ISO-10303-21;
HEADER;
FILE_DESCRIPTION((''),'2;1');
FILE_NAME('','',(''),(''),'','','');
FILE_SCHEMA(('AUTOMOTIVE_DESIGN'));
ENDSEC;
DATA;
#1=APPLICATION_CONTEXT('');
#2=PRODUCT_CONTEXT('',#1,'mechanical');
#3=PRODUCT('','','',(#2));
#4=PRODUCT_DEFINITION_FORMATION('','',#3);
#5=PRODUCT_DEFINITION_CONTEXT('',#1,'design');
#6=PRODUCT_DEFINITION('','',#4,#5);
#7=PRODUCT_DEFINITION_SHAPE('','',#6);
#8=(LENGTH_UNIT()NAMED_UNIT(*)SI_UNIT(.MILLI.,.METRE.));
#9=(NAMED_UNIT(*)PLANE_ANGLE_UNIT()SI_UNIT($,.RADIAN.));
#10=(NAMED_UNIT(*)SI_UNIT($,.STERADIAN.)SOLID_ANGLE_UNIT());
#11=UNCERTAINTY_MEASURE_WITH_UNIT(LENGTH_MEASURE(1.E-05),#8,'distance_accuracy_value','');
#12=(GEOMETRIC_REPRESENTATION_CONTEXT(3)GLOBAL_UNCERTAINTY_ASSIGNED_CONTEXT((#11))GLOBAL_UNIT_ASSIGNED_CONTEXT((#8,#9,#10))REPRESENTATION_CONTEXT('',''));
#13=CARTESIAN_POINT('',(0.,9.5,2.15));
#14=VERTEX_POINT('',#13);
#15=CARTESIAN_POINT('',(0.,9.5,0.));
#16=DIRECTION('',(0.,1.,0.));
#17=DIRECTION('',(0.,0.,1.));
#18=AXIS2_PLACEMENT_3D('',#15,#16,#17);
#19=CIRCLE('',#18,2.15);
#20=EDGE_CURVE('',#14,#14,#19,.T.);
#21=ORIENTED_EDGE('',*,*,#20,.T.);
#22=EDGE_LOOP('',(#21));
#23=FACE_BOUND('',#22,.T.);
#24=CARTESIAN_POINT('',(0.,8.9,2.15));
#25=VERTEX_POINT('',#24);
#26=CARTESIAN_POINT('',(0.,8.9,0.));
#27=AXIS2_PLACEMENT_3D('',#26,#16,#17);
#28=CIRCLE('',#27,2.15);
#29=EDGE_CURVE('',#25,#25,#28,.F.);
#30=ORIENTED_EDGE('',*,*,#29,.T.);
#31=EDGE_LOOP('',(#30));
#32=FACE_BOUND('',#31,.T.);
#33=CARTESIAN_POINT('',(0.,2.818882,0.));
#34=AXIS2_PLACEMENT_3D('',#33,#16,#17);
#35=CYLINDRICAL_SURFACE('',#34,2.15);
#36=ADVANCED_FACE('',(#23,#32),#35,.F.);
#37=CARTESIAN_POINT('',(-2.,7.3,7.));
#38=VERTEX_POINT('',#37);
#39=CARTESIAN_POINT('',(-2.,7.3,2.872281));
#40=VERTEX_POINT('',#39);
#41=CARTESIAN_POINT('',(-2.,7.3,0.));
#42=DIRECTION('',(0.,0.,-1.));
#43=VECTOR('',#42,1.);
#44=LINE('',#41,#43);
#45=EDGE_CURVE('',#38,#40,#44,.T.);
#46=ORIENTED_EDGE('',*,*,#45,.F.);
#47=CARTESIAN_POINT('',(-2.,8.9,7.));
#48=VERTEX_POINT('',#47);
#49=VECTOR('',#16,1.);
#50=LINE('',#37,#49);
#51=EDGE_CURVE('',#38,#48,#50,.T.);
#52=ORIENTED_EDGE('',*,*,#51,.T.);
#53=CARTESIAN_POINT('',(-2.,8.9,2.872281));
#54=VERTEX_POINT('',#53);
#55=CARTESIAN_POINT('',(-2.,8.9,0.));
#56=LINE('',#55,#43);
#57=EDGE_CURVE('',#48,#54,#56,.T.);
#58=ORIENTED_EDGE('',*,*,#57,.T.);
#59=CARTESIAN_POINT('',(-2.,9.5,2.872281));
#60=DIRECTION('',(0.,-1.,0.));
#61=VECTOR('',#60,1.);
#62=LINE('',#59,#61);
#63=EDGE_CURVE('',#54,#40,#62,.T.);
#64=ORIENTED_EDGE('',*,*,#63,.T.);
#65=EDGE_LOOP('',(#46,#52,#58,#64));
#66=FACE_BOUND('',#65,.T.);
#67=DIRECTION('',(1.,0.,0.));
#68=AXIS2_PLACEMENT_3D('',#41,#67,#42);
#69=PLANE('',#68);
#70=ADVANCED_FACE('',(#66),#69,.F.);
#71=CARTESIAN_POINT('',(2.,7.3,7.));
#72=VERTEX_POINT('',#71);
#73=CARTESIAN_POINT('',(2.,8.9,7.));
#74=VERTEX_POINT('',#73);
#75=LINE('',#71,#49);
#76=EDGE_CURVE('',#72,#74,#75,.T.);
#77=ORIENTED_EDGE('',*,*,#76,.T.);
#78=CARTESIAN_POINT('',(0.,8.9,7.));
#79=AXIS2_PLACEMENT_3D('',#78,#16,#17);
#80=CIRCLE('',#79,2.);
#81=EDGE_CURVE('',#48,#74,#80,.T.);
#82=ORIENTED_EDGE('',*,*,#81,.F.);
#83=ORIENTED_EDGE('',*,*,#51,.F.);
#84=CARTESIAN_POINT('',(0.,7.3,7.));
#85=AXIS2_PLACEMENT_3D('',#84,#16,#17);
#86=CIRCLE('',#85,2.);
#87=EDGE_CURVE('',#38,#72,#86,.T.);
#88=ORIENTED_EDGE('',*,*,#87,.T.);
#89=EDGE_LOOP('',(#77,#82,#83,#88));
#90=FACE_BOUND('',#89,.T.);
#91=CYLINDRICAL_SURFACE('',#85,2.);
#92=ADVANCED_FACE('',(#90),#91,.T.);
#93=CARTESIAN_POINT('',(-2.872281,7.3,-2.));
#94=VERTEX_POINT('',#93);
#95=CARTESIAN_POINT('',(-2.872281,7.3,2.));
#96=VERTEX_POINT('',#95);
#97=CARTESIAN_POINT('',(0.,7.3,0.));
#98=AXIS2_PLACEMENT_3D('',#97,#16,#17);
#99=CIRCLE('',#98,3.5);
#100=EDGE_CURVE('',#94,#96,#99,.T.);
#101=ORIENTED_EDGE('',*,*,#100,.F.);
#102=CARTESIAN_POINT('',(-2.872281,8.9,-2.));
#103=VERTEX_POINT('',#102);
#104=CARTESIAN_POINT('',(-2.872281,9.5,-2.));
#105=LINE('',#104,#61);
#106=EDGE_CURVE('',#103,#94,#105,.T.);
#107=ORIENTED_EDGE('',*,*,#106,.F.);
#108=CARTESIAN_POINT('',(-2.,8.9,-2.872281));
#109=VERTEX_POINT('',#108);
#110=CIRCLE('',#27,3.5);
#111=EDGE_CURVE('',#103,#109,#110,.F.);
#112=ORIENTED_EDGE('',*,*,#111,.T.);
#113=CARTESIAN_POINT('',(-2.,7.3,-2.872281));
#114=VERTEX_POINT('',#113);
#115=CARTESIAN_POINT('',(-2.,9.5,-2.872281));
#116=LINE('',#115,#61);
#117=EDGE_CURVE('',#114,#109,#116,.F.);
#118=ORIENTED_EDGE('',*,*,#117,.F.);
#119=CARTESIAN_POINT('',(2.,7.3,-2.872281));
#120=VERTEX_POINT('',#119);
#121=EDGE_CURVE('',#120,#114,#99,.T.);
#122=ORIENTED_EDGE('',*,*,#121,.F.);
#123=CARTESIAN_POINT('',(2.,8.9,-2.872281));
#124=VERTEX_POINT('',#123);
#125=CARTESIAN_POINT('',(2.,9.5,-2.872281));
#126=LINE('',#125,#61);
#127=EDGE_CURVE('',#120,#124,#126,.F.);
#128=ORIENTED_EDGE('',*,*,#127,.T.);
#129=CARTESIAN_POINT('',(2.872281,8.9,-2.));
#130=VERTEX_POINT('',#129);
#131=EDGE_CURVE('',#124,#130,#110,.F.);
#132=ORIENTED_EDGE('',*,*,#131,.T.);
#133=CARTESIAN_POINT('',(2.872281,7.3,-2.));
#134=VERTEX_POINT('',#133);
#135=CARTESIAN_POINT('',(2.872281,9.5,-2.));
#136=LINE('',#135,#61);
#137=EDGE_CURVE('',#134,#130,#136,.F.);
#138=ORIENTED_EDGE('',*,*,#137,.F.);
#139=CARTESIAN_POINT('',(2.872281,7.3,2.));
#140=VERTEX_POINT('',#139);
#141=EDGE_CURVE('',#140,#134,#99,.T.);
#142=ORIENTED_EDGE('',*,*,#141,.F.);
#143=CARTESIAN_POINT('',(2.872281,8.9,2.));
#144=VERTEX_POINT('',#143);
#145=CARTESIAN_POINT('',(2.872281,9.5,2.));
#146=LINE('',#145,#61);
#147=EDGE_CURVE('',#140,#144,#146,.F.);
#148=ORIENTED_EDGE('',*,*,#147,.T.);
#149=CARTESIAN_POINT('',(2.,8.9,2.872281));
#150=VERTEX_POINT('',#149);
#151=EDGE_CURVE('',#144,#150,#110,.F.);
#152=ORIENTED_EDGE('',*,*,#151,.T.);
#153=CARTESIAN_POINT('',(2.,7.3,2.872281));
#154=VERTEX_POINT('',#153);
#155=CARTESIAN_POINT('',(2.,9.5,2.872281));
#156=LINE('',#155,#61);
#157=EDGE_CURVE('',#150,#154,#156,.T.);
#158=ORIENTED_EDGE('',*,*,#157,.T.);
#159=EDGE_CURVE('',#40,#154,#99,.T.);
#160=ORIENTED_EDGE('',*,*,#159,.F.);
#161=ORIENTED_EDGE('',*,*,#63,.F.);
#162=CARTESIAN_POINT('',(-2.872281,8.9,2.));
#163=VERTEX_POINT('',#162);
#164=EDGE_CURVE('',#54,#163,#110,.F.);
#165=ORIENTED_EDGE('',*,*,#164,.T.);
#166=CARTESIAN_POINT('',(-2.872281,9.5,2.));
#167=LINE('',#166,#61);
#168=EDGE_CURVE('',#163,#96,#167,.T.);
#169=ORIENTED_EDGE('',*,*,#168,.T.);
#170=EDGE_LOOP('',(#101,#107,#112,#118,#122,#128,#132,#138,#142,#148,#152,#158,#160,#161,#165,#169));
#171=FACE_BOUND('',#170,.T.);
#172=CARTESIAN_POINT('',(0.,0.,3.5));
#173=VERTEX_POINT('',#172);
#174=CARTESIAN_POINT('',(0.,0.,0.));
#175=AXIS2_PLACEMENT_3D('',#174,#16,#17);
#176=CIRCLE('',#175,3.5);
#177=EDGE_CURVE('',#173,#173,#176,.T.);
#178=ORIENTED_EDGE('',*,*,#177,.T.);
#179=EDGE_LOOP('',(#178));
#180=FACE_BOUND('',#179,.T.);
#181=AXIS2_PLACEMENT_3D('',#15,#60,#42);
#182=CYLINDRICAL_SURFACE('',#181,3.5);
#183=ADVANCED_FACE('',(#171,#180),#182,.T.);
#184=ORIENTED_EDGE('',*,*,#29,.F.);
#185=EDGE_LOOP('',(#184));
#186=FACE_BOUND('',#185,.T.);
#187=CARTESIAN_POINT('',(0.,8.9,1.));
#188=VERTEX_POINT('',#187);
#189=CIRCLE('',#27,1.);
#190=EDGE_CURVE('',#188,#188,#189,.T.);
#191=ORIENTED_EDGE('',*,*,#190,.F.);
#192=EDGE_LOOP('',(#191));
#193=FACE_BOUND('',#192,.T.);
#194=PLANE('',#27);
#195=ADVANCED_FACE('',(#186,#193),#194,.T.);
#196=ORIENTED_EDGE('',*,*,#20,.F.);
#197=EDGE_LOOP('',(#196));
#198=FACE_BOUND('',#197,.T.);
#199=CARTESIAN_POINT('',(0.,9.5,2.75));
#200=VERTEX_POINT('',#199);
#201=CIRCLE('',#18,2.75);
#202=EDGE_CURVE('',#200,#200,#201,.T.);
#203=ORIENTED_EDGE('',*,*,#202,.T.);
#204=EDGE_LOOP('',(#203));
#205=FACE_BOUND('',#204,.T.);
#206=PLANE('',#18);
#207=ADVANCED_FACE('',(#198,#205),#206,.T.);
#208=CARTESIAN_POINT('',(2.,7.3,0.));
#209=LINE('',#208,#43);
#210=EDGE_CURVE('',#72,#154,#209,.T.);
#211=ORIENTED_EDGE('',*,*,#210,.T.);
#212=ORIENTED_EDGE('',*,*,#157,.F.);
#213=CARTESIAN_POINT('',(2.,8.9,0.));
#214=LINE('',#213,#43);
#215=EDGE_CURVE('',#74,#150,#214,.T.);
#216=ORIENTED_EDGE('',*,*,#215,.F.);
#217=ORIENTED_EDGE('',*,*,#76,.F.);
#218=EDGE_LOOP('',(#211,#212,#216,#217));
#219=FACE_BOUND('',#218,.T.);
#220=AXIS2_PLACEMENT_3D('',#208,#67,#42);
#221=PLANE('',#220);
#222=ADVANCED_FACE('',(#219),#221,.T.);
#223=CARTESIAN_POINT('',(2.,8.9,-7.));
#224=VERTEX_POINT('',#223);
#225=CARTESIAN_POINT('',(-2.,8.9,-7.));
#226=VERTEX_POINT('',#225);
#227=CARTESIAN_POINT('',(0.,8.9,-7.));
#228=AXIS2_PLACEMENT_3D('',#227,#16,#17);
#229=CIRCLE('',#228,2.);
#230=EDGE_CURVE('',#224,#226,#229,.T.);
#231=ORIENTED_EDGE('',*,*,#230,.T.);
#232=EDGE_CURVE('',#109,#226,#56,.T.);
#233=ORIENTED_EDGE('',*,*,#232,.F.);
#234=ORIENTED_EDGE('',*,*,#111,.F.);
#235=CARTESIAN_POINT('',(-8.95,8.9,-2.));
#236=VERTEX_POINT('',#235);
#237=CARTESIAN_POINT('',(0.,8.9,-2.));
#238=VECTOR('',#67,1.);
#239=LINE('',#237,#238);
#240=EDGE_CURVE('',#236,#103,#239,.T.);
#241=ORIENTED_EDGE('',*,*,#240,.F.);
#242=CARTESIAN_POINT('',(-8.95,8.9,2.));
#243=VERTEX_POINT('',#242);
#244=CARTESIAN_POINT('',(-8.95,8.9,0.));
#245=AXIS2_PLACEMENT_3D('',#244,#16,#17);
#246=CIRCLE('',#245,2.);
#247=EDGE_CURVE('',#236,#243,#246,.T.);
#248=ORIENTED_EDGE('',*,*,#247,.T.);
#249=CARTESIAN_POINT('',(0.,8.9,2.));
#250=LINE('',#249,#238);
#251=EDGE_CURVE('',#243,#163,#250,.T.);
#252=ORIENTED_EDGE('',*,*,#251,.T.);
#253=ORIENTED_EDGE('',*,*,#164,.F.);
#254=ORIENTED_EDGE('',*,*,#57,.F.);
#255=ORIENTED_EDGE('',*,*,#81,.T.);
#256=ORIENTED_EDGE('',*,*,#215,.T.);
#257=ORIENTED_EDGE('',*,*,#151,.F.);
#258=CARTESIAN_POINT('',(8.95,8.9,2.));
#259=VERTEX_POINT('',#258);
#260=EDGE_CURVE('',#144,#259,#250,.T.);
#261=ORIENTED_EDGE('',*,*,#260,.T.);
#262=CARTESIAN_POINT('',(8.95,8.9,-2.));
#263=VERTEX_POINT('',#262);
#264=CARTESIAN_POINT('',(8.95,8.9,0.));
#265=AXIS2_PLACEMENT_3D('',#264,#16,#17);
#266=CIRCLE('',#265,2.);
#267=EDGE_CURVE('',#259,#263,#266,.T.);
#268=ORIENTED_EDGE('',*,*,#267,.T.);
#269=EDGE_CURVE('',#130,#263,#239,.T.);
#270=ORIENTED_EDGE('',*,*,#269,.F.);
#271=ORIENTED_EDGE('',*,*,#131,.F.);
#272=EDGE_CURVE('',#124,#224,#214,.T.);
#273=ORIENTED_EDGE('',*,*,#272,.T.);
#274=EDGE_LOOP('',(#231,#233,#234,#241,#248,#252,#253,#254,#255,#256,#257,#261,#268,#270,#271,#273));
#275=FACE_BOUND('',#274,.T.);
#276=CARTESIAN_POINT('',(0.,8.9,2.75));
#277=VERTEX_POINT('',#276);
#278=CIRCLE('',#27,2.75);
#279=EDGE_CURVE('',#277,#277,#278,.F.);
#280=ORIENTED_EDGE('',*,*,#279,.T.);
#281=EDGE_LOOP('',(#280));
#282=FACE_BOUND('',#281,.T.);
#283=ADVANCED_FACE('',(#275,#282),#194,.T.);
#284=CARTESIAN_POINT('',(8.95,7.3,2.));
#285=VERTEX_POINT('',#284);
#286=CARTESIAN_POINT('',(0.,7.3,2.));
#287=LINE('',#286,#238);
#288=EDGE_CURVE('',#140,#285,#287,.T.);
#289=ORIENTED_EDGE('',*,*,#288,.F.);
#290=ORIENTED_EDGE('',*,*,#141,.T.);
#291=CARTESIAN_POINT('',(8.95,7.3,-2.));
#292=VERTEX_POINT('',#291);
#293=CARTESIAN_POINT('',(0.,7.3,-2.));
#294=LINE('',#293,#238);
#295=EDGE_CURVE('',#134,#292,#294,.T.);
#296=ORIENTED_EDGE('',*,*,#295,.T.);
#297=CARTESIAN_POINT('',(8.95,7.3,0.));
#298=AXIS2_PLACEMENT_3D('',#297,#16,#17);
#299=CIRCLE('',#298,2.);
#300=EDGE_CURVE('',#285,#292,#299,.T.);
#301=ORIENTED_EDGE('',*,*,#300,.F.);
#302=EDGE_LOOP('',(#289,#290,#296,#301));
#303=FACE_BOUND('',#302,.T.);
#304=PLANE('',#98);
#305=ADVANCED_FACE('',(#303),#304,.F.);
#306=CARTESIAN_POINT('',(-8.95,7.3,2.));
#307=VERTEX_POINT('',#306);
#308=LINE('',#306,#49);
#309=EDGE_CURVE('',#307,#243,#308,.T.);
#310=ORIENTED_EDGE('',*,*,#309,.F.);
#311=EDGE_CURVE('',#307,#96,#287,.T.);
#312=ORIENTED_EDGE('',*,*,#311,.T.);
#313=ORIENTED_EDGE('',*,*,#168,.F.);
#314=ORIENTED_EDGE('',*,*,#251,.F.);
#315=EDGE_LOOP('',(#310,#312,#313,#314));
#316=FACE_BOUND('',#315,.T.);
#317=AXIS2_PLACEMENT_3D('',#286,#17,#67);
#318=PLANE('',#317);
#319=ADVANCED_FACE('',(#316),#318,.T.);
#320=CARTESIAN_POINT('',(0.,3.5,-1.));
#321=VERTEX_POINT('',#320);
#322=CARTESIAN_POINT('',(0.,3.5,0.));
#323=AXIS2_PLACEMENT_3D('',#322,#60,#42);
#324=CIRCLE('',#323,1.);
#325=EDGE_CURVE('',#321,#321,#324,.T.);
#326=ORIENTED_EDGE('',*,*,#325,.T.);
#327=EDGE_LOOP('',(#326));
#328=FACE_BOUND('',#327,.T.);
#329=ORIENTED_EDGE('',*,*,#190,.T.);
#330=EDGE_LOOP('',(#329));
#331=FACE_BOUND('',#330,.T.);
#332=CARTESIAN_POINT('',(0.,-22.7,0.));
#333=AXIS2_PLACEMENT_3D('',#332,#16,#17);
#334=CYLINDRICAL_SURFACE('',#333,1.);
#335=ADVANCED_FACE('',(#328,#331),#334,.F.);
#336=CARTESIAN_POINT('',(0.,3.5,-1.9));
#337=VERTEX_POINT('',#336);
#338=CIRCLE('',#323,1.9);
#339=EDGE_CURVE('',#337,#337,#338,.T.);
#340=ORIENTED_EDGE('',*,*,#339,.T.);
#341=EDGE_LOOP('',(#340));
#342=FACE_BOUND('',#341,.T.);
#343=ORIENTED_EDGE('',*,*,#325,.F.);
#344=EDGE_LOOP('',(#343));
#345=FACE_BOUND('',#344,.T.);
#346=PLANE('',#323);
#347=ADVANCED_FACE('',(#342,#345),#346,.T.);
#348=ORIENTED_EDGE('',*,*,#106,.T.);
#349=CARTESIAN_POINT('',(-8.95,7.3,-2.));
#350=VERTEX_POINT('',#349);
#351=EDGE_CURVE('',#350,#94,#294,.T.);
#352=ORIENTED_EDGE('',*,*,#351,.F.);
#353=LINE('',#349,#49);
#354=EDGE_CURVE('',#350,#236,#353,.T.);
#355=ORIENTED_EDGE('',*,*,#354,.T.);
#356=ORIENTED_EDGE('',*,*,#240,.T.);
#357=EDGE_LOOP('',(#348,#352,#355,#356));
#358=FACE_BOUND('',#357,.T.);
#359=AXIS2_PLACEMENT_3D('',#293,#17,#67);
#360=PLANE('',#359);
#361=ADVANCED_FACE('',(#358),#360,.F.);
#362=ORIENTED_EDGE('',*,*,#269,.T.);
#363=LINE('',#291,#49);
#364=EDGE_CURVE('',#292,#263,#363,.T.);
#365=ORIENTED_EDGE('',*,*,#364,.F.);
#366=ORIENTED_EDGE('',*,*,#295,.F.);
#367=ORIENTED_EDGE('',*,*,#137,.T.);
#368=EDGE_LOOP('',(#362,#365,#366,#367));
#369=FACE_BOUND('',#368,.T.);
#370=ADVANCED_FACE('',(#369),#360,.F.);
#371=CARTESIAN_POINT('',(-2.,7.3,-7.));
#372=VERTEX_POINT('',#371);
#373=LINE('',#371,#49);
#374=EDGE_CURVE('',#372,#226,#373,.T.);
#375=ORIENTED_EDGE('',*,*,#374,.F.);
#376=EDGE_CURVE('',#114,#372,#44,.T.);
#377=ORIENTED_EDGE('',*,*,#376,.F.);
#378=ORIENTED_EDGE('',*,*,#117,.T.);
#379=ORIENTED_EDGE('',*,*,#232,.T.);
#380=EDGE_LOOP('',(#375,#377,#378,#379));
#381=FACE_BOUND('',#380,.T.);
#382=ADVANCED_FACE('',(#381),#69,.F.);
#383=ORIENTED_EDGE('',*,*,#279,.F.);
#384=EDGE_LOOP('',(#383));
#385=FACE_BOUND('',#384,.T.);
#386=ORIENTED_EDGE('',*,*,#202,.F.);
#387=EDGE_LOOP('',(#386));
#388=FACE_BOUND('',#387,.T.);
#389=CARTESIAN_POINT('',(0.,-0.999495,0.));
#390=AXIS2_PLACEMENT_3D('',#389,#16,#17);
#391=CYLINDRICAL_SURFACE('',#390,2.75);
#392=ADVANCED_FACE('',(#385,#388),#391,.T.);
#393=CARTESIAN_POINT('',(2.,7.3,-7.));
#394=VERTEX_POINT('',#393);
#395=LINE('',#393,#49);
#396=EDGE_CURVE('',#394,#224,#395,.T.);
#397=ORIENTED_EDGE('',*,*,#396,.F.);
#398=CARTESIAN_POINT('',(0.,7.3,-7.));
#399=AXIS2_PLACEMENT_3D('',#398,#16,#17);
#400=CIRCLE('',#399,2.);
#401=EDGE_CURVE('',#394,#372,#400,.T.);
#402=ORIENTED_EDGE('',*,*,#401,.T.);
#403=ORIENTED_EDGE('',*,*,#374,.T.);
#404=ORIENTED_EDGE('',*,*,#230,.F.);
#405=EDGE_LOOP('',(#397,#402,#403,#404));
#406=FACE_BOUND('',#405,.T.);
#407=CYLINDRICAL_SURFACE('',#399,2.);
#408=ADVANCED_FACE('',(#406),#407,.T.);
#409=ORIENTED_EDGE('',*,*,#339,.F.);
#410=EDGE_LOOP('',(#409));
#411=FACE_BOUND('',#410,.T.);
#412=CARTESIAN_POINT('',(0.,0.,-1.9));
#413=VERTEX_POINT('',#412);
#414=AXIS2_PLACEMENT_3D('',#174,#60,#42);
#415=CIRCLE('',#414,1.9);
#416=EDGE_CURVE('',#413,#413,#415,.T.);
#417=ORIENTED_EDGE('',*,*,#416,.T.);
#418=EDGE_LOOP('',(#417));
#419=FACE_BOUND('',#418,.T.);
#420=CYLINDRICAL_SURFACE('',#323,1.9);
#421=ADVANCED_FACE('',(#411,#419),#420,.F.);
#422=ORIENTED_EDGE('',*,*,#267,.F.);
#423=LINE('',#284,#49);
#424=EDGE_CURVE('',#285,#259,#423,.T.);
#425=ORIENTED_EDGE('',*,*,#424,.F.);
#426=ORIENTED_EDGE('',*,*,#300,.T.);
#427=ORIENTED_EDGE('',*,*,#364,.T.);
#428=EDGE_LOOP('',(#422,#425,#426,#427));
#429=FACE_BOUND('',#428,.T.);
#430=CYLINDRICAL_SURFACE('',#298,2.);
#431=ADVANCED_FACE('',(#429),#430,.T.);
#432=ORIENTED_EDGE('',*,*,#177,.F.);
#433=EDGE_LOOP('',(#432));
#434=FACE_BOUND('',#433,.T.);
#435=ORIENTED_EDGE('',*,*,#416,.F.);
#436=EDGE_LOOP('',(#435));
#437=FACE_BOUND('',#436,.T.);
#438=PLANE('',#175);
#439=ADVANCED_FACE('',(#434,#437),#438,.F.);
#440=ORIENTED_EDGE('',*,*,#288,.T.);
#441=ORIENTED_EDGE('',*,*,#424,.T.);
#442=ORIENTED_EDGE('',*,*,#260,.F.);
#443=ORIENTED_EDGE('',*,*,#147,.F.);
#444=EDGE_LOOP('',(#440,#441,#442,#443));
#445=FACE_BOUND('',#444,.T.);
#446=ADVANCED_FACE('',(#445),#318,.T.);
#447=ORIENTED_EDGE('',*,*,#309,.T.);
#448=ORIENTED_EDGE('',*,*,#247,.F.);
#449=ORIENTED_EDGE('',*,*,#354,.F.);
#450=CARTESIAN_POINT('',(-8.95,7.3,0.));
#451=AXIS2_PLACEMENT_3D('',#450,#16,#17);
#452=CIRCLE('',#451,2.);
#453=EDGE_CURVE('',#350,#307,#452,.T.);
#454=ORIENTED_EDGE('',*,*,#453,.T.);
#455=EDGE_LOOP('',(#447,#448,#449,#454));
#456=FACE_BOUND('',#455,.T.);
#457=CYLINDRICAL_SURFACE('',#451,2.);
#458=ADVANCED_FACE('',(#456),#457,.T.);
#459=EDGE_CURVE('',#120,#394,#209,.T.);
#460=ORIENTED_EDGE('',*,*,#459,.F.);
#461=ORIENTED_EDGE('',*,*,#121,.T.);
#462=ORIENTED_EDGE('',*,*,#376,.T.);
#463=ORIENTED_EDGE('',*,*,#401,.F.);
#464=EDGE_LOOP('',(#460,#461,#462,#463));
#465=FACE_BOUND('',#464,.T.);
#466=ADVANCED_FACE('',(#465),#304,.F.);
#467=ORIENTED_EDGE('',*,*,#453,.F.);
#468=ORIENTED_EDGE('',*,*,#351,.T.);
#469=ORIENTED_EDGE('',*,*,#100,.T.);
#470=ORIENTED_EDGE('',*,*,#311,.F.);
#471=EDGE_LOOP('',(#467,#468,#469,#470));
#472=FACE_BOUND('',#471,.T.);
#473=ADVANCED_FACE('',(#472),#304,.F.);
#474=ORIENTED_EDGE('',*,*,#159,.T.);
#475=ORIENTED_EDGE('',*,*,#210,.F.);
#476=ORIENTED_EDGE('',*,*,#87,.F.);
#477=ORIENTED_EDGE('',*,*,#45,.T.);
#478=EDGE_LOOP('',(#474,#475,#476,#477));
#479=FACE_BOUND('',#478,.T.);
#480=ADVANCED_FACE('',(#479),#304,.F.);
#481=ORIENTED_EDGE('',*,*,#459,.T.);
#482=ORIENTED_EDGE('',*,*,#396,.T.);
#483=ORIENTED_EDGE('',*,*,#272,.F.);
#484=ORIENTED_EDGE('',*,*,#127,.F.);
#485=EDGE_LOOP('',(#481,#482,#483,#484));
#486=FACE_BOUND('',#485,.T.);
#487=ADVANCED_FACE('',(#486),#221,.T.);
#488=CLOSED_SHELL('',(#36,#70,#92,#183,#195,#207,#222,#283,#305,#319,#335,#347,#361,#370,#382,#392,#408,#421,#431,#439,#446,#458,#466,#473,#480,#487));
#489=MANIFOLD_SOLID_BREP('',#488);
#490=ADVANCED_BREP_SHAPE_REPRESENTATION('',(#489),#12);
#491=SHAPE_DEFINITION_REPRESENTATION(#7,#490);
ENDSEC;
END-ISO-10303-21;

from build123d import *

# Parameters (mm, degrees)
SZKIC1_R                    = 3.5
DODANIE_WYCI_GNI_CIE1_DEPTH = 9.5
SZKIC2_R                    = 1.9
WYTNIJ_WYCI_GNI_CIE1_DEPTH  = 3.5
SZKIC3_R                    = 2
DODANIE_WYCI_GNI_CIE2_DEPTH = 1.6
WYTNIJ_WYCI_GNI_CIE2_START  = -0.6
SZKIC4_R                    = 2.15
WYTNIJ_WYCI_GNI_CIE2_DEPTH  = 0.6
SZKIC5_R                    = 1
WYTNIJ_WYCI_GNI_CIE3_DEPTH  = 31.6
SZKIC6_R                    = 3.5
SZKIC6_R_2                  = 2.75
WYTNIJ_WYCI_GNI_CIE4_DEPTH  = 0.6


with BuildPart() as part:
    # Szkic1 → Dodanie-wyciągnięcie1 (new body)
    with BuildSketch(Plane(origin=(0, 0, 0), x_dir=(1, 0, 0), z_dir=(0, 1, 0))):
        Circle(SZKIC1_R)
    extrude(amount=DODANIE_WYCI_GNI_CIE1_DEPTH)

    # Szkic2 → Wytnij-wyciągnięcie1 (cut)
    with BuildSketch(Plane.XZ):
        Circle(SZKIC2_R)
    extrude(amount=-WYTNIJ_WYCI_GNI_CIE1_DEPTH, mode=Mode.SUBTRACT)

    # Szkic3 → Dodanie-wyciągnięcie2 (add)
    with BuildSketch(Plane(origin=(0, 8.9, 0), x_dir=(1, 0, 0), z_dir=(0, 1, 0))):
        with Locations((-8.95, 0)):
            Circle(SZKIC3_R)
        with BuildLine():
            Line((-2, 2), (-8.95, 2))
            ThreePointArc((-8.95, 2), (-7.535786438, 1.414213562), (-6.95, 0))
            ThreePointArc((-6.95, 0), (-7.535786438, -1.414213562), (-8.95, -2))
            Line((-8.95, -2), (-2, -2))
            Line((-2, -2), (-2, 2))
        make_face()
        with Locations((0, 7)):
            Circle(SZKIC3_R)
        with BuildLine():
            Line((-2, 7), (-2, 2))
            Line((-2, 2), (0, 2))
            Line((0, 2), (2, 2))
            Line((2, 2), (2, 7))
            ThreePointArc((2, 7), (0, 5), (-2, 7))
        make_face()
        with BuildLine():
            Line((8.95, 2), (2, 2))
            Line((2, 2), (2, 0))
            Line((2, 0), (2, -2))
            Line((2, -2), (8.95, -2))
            ThreePointArc((8.95, -2), (6.95, 0), (8.95, 2))
        make_face()
        with Locations((8.95, 0)):
            Circle(SZKIC3_R)
        with Locations((0, -7)):
            Circle(SZKIC3_R)
        with BuildLine():
            Line((2, -2), (-2, -2))
            Line((-2, -2), (-2, -7))
            ThreePointArc((-2, -7), (0, -5), (2, -7))
            Line((2, -7), (2, -2))
        make_face()
    extrude(amount=-DODANIE_WYCI_GNI_CIE2_DEPTH)

    # Szkic4 → Wytnij-wyciągnięcie2 (cut)
    with BuildSketch(Plane(origin=(0, 9.5, 0), x_dir=(1, 0, 0), z_dir=(0, 1, 0)).offset(WYTNIJ_WYCI_GNI_CIE2_START)):
        Circle(SZKIC4_R)
    extrude(amount=WYTNIJ_WYCI_GNI_CIE2_DEPTH, mode=Mode.SUBTRACT)

    # Szkic5 → Wytnij-wyciągnięcie3 (cut)
    with BuildSketch(Plane(origin=(0, 8.9, 0), x_dir=(1, 0, 0), z_dir=(0, 1, 0))):
        Circle(SZKIC5_R)
    extrude(amount=-WYTNIJ_WYCI_GNI_CIE3_DEPTH, mode=Mode.SUBTRACT)

    # Szkic6 → Wytnij-wyciągnięcie4 (cut)
    with BuildSketch(Plane(origin=(0, 9.5, 0), x_dir=(1, 0, 0), z_dir=(0, 1, 0))):
        Circle(SZKIC6_R)
        Circle(SZKIC6_R_2, mode=Mode.SUBTRACT)
    extrude(amount=-WYTNIJ_WYCI_GNI_CIE4_DEPTH, mode=Mode.SUBTRACT)


solid = part.part
